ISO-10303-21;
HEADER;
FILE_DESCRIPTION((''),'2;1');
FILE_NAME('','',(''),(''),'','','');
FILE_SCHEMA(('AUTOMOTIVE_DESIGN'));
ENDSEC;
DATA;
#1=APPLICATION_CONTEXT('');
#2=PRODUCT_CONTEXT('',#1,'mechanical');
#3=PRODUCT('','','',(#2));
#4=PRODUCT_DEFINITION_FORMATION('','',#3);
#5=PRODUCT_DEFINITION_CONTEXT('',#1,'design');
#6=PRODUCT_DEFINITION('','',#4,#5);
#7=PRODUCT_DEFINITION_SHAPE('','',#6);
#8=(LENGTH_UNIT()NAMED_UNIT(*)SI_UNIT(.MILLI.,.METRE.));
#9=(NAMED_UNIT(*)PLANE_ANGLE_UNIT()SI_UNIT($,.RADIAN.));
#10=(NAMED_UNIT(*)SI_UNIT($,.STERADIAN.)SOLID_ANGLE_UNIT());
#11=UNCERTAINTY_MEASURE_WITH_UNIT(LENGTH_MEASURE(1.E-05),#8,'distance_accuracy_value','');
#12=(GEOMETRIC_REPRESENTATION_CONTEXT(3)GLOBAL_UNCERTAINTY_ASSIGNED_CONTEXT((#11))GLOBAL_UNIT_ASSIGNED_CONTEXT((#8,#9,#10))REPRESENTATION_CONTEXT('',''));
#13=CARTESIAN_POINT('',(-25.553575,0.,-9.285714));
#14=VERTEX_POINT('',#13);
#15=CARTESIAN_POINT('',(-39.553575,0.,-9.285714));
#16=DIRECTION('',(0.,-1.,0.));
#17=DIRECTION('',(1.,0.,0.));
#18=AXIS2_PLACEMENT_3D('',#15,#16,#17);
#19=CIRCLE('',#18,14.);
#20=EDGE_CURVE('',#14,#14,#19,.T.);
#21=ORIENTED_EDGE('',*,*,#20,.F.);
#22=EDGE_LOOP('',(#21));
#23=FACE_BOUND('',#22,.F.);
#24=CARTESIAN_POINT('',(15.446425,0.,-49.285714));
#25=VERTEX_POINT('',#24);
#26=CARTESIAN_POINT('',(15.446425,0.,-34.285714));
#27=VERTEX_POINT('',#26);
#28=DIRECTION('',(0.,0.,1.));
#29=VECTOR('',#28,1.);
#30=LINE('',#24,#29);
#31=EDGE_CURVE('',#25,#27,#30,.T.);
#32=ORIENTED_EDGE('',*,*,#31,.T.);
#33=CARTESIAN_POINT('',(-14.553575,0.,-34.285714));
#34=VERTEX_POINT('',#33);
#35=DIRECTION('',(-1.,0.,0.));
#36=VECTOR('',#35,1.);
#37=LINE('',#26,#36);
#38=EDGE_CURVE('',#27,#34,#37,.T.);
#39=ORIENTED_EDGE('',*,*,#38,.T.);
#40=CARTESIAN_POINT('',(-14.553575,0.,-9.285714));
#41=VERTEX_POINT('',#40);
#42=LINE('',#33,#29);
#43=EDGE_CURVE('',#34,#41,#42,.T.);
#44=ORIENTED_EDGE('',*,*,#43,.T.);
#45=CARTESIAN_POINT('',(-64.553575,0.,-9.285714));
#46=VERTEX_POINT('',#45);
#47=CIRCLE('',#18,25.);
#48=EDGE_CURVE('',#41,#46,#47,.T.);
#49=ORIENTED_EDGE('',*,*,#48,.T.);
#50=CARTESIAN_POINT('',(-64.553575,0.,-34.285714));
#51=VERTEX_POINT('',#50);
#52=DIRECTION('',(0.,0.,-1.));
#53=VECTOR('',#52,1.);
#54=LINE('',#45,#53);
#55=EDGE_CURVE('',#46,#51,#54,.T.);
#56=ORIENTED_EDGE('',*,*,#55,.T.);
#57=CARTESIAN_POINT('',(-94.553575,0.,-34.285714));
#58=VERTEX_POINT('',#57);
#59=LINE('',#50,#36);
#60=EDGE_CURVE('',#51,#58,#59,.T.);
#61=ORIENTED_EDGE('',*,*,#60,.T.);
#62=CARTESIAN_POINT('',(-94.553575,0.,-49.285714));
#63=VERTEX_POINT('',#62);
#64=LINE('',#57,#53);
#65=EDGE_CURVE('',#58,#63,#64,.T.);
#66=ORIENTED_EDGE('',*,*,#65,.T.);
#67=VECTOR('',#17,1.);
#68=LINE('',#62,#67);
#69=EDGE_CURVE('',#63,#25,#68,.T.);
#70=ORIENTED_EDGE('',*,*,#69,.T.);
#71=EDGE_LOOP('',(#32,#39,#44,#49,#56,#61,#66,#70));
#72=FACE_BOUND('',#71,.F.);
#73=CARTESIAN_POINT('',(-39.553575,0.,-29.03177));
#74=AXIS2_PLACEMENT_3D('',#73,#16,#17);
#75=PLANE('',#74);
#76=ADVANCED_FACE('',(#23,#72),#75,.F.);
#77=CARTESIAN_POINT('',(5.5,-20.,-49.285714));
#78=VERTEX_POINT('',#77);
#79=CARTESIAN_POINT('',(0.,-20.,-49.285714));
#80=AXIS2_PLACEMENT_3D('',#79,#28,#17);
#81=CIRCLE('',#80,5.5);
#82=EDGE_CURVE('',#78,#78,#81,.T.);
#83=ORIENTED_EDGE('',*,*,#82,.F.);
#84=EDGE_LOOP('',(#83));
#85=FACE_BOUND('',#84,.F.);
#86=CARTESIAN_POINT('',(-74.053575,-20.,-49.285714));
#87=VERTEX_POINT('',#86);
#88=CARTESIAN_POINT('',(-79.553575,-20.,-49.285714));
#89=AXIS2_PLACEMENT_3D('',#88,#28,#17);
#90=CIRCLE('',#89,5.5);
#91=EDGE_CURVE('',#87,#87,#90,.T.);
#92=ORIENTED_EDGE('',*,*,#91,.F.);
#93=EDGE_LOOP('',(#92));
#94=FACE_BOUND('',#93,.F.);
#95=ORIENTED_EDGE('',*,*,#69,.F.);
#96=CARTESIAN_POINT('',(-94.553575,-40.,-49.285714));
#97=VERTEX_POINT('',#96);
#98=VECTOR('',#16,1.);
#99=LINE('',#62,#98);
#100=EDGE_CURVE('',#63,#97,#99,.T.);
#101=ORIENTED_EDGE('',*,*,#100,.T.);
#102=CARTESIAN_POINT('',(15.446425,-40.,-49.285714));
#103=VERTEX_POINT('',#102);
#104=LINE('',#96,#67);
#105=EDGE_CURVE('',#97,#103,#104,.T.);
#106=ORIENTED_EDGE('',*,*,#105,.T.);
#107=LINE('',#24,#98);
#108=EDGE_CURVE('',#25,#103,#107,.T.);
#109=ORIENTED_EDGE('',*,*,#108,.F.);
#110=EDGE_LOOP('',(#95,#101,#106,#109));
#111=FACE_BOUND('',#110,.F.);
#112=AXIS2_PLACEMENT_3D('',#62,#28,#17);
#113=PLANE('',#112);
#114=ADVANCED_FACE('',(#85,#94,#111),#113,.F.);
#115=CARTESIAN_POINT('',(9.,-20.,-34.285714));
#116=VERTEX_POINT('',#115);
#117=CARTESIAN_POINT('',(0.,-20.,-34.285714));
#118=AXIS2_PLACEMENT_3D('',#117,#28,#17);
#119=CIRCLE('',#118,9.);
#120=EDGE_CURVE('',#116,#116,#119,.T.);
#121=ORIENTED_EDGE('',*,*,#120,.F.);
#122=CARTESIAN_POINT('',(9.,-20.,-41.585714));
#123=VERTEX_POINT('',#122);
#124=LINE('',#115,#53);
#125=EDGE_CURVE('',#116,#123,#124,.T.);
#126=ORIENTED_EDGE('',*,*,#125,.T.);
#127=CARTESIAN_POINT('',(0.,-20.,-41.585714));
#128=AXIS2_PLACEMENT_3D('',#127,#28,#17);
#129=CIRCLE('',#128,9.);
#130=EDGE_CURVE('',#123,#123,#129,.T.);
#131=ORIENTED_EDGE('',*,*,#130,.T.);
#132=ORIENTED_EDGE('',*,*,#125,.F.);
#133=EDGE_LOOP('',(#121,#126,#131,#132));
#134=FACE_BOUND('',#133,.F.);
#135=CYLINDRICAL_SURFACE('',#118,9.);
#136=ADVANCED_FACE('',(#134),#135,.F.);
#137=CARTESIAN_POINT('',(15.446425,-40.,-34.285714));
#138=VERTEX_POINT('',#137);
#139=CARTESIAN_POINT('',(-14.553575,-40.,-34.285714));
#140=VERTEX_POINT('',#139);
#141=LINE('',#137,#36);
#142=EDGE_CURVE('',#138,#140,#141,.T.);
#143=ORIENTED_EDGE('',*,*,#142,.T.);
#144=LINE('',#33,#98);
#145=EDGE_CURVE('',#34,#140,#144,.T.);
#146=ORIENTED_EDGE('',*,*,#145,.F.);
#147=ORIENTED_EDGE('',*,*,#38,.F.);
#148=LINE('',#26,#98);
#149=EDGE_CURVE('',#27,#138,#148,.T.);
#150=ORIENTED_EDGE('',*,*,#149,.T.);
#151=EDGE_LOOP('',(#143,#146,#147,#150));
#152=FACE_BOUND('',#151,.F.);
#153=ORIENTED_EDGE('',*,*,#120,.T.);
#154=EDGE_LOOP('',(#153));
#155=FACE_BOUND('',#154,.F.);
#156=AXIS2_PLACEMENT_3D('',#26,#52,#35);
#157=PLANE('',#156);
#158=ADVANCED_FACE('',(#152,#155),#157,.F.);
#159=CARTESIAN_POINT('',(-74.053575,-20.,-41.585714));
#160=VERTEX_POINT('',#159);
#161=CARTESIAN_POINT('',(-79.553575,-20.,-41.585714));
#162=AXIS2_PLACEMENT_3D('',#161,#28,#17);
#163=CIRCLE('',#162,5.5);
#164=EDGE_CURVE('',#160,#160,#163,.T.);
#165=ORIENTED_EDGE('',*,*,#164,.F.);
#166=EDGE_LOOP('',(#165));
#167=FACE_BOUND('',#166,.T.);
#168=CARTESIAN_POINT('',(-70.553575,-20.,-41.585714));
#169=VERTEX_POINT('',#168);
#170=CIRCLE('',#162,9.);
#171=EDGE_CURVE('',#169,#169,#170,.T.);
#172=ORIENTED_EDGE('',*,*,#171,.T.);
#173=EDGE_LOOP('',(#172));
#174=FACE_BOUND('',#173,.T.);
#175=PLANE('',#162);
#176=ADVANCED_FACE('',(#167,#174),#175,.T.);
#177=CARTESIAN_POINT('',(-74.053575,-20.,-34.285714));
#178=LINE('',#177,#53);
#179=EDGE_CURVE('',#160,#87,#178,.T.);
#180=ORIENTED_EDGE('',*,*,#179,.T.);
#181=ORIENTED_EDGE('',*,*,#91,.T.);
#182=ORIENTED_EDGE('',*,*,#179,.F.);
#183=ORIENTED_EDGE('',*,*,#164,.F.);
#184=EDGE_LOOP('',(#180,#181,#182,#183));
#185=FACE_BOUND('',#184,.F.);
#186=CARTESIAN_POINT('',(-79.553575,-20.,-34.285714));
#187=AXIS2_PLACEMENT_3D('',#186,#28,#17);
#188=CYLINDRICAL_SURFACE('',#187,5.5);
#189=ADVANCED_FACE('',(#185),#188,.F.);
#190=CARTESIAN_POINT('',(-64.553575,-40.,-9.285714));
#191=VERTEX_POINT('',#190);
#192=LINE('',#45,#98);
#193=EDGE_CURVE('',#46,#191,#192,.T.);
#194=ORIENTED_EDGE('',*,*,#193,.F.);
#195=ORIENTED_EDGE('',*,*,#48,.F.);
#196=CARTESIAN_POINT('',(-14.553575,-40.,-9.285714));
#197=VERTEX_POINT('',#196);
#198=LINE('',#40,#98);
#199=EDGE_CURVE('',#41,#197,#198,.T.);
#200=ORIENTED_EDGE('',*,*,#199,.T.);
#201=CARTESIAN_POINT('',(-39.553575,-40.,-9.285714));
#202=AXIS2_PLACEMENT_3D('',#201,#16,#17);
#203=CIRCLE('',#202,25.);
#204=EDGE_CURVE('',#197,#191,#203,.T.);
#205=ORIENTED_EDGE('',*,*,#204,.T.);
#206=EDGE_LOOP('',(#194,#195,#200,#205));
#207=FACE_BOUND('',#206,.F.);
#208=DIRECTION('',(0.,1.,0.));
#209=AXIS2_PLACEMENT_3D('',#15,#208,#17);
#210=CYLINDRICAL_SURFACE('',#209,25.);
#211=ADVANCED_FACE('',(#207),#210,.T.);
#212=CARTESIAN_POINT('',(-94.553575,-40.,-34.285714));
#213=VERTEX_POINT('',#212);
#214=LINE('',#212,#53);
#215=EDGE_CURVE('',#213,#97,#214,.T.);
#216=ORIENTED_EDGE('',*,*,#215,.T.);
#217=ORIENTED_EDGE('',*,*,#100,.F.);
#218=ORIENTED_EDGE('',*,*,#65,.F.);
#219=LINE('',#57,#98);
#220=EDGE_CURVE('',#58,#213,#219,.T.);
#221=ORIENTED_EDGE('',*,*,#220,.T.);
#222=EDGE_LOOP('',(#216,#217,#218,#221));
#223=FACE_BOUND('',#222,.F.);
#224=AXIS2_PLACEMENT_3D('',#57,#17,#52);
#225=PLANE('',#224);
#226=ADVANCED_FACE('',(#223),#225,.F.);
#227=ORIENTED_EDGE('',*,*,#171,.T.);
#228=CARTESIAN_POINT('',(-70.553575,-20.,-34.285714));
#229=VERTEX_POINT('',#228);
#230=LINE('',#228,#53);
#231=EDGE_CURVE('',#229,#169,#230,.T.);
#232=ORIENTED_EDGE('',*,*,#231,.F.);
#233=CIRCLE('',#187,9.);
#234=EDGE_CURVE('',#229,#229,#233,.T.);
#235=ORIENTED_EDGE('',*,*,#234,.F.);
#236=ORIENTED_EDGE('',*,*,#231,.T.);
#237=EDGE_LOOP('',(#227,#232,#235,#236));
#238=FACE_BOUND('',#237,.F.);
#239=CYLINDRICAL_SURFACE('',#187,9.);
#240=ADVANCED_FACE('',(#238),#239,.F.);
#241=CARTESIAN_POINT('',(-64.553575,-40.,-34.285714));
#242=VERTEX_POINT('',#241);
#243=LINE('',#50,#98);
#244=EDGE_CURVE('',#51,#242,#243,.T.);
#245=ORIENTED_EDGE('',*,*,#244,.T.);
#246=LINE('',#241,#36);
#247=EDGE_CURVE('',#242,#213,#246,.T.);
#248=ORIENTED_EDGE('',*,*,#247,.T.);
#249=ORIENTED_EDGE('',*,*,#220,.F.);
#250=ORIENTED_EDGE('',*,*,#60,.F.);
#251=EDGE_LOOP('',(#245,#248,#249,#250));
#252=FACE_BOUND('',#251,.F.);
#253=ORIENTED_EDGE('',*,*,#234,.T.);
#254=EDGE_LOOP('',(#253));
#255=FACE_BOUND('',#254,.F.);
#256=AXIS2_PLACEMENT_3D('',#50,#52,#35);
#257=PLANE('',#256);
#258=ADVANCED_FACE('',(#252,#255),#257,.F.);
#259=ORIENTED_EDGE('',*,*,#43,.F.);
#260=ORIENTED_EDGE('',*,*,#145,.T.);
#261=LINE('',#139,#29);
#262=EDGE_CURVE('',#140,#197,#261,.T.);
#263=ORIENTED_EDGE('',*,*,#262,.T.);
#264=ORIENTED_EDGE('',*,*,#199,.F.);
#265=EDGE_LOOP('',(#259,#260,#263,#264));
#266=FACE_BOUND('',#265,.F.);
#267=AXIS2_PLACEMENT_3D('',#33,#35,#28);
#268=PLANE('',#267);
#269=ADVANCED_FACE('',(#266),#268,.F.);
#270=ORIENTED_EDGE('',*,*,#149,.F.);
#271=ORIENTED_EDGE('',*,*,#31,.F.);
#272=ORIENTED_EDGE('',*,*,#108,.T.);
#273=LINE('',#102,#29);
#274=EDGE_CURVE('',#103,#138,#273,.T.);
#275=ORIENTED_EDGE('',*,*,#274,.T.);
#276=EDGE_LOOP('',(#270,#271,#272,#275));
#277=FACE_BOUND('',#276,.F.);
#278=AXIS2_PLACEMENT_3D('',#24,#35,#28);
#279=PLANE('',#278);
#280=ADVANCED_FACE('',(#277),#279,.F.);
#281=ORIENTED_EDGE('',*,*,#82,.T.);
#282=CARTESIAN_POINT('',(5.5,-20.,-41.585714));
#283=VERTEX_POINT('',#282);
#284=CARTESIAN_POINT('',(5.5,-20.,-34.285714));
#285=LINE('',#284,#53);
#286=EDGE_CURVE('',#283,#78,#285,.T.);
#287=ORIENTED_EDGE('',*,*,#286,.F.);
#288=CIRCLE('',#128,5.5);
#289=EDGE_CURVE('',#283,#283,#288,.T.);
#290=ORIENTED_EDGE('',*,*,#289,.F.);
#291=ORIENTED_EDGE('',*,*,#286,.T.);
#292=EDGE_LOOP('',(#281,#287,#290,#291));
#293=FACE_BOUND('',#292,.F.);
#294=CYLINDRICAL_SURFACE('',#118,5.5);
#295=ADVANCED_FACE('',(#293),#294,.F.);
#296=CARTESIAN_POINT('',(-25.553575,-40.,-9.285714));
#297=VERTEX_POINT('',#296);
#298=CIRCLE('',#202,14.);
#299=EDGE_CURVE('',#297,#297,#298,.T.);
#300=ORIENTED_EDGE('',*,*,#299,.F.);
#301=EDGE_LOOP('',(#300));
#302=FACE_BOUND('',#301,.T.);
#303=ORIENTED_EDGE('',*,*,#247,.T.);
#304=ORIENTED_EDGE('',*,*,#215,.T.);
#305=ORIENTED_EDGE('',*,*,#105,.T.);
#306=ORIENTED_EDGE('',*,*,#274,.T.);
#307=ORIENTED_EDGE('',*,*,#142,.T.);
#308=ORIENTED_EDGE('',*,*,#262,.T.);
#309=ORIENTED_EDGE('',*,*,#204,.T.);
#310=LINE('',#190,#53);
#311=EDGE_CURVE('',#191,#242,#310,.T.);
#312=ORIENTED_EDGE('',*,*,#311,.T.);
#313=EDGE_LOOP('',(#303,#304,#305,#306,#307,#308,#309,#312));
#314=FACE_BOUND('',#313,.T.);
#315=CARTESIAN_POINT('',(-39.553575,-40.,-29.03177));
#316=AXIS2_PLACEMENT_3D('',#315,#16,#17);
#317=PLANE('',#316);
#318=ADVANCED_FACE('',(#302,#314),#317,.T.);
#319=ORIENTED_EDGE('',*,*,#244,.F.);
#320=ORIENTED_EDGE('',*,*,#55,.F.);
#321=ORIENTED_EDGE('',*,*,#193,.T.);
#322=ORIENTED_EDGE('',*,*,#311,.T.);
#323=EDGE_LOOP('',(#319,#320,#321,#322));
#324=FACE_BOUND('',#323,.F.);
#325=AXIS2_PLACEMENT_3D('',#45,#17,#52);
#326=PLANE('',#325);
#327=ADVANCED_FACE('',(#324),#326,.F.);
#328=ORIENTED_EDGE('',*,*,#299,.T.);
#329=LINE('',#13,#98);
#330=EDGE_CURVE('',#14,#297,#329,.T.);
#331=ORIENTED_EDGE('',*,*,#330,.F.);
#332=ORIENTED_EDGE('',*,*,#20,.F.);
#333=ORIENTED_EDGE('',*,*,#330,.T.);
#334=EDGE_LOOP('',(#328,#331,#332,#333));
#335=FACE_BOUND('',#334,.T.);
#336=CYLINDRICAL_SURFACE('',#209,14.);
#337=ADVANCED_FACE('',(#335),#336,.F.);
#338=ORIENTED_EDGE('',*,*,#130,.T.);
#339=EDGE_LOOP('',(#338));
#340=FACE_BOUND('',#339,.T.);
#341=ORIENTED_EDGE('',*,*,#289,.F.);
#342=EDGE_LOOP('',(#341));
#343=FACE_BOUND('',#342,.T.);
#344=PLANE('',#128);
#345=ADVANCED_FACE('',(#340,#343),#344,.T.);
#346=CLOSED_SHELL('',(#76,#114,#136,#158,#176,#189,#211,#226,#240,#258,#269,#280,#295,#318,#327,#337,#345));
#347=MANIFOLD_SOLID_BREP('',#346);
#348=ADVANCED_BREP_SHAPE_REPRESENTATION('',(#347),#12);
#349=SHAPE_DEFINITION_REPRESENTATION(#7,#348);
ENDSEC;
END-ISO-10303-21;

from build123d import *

# Parameters (mm, degrees)
F0_R     = 14
F1_DEPTH = 40
F2_R     = 9
F2_R_2   = 5.5
F3_DEPTH = 7.3
F4_DEPTH = 25


with BuildPart() as f1:
    # F0 (on Front) → F1 (new body)
    with BuildSketch(Plane.XZ):
        with BuildLine():
            Line((-14.553575, -34.285714), (-14.553575, -9.285714))
            ThreePointArc((-14.553575, -9.285714), (-39.553575, 15.714286), (-64.553575, -9.285714))
            Line((-64.553575, -9.285714), (-64.553575, -34.285714))
            Line((-64.553575, -34.285714), (-94.553575, -34.285714))
            Line((-94.553575, -34.285714), (-94.553575, -49.285714))
            Line((-94.553575, -49.285714), (15.446425, -49.285714))
            Line((15.446425, -49.285714), (15.446425, -34.285714))
            Line((15.446425, -34.285714), (-14.553575, -34.285714))
        make_face()
        with Locations((-39.553575, -9.285714)):
            Circle(F0_R, mode=Mode.SUBTRACT)
    extrude(amount=F1_DEPTH)

    # F2 (on face) → F3 (cut)
    with BuildSketch(Plane.XY.offset(-34.285714)):
        with Locations((-79.553575, -20)):
            Circle(F2_R)
        with Locations((-79.553575, -20)):
            Circle(F2_R_2, mode=Mode.SUBTRACT)
        with Locations((0, -20)):
            Circle(F2_R)
        with Locations((0, -20)):
            Circle(F2_R_2, mode=Mode.SUBTRACT)
    extrude(amount=-F3_DEPTH, mode=Mode.SUBTRACT)

    # F2 (on face) → F4 (cut)
    with BuildSketch(Plane.XY.offset(-34.285714)):
        with Locations((-79.553575, -20)):
            Circle(F2_R_2)
        with Locations((0, -20)):
            Circle(F2_R_2)
    extrude(amount=-F4_DEPTH, mode=Mode.SUBTRACT)


solid = f1.part
